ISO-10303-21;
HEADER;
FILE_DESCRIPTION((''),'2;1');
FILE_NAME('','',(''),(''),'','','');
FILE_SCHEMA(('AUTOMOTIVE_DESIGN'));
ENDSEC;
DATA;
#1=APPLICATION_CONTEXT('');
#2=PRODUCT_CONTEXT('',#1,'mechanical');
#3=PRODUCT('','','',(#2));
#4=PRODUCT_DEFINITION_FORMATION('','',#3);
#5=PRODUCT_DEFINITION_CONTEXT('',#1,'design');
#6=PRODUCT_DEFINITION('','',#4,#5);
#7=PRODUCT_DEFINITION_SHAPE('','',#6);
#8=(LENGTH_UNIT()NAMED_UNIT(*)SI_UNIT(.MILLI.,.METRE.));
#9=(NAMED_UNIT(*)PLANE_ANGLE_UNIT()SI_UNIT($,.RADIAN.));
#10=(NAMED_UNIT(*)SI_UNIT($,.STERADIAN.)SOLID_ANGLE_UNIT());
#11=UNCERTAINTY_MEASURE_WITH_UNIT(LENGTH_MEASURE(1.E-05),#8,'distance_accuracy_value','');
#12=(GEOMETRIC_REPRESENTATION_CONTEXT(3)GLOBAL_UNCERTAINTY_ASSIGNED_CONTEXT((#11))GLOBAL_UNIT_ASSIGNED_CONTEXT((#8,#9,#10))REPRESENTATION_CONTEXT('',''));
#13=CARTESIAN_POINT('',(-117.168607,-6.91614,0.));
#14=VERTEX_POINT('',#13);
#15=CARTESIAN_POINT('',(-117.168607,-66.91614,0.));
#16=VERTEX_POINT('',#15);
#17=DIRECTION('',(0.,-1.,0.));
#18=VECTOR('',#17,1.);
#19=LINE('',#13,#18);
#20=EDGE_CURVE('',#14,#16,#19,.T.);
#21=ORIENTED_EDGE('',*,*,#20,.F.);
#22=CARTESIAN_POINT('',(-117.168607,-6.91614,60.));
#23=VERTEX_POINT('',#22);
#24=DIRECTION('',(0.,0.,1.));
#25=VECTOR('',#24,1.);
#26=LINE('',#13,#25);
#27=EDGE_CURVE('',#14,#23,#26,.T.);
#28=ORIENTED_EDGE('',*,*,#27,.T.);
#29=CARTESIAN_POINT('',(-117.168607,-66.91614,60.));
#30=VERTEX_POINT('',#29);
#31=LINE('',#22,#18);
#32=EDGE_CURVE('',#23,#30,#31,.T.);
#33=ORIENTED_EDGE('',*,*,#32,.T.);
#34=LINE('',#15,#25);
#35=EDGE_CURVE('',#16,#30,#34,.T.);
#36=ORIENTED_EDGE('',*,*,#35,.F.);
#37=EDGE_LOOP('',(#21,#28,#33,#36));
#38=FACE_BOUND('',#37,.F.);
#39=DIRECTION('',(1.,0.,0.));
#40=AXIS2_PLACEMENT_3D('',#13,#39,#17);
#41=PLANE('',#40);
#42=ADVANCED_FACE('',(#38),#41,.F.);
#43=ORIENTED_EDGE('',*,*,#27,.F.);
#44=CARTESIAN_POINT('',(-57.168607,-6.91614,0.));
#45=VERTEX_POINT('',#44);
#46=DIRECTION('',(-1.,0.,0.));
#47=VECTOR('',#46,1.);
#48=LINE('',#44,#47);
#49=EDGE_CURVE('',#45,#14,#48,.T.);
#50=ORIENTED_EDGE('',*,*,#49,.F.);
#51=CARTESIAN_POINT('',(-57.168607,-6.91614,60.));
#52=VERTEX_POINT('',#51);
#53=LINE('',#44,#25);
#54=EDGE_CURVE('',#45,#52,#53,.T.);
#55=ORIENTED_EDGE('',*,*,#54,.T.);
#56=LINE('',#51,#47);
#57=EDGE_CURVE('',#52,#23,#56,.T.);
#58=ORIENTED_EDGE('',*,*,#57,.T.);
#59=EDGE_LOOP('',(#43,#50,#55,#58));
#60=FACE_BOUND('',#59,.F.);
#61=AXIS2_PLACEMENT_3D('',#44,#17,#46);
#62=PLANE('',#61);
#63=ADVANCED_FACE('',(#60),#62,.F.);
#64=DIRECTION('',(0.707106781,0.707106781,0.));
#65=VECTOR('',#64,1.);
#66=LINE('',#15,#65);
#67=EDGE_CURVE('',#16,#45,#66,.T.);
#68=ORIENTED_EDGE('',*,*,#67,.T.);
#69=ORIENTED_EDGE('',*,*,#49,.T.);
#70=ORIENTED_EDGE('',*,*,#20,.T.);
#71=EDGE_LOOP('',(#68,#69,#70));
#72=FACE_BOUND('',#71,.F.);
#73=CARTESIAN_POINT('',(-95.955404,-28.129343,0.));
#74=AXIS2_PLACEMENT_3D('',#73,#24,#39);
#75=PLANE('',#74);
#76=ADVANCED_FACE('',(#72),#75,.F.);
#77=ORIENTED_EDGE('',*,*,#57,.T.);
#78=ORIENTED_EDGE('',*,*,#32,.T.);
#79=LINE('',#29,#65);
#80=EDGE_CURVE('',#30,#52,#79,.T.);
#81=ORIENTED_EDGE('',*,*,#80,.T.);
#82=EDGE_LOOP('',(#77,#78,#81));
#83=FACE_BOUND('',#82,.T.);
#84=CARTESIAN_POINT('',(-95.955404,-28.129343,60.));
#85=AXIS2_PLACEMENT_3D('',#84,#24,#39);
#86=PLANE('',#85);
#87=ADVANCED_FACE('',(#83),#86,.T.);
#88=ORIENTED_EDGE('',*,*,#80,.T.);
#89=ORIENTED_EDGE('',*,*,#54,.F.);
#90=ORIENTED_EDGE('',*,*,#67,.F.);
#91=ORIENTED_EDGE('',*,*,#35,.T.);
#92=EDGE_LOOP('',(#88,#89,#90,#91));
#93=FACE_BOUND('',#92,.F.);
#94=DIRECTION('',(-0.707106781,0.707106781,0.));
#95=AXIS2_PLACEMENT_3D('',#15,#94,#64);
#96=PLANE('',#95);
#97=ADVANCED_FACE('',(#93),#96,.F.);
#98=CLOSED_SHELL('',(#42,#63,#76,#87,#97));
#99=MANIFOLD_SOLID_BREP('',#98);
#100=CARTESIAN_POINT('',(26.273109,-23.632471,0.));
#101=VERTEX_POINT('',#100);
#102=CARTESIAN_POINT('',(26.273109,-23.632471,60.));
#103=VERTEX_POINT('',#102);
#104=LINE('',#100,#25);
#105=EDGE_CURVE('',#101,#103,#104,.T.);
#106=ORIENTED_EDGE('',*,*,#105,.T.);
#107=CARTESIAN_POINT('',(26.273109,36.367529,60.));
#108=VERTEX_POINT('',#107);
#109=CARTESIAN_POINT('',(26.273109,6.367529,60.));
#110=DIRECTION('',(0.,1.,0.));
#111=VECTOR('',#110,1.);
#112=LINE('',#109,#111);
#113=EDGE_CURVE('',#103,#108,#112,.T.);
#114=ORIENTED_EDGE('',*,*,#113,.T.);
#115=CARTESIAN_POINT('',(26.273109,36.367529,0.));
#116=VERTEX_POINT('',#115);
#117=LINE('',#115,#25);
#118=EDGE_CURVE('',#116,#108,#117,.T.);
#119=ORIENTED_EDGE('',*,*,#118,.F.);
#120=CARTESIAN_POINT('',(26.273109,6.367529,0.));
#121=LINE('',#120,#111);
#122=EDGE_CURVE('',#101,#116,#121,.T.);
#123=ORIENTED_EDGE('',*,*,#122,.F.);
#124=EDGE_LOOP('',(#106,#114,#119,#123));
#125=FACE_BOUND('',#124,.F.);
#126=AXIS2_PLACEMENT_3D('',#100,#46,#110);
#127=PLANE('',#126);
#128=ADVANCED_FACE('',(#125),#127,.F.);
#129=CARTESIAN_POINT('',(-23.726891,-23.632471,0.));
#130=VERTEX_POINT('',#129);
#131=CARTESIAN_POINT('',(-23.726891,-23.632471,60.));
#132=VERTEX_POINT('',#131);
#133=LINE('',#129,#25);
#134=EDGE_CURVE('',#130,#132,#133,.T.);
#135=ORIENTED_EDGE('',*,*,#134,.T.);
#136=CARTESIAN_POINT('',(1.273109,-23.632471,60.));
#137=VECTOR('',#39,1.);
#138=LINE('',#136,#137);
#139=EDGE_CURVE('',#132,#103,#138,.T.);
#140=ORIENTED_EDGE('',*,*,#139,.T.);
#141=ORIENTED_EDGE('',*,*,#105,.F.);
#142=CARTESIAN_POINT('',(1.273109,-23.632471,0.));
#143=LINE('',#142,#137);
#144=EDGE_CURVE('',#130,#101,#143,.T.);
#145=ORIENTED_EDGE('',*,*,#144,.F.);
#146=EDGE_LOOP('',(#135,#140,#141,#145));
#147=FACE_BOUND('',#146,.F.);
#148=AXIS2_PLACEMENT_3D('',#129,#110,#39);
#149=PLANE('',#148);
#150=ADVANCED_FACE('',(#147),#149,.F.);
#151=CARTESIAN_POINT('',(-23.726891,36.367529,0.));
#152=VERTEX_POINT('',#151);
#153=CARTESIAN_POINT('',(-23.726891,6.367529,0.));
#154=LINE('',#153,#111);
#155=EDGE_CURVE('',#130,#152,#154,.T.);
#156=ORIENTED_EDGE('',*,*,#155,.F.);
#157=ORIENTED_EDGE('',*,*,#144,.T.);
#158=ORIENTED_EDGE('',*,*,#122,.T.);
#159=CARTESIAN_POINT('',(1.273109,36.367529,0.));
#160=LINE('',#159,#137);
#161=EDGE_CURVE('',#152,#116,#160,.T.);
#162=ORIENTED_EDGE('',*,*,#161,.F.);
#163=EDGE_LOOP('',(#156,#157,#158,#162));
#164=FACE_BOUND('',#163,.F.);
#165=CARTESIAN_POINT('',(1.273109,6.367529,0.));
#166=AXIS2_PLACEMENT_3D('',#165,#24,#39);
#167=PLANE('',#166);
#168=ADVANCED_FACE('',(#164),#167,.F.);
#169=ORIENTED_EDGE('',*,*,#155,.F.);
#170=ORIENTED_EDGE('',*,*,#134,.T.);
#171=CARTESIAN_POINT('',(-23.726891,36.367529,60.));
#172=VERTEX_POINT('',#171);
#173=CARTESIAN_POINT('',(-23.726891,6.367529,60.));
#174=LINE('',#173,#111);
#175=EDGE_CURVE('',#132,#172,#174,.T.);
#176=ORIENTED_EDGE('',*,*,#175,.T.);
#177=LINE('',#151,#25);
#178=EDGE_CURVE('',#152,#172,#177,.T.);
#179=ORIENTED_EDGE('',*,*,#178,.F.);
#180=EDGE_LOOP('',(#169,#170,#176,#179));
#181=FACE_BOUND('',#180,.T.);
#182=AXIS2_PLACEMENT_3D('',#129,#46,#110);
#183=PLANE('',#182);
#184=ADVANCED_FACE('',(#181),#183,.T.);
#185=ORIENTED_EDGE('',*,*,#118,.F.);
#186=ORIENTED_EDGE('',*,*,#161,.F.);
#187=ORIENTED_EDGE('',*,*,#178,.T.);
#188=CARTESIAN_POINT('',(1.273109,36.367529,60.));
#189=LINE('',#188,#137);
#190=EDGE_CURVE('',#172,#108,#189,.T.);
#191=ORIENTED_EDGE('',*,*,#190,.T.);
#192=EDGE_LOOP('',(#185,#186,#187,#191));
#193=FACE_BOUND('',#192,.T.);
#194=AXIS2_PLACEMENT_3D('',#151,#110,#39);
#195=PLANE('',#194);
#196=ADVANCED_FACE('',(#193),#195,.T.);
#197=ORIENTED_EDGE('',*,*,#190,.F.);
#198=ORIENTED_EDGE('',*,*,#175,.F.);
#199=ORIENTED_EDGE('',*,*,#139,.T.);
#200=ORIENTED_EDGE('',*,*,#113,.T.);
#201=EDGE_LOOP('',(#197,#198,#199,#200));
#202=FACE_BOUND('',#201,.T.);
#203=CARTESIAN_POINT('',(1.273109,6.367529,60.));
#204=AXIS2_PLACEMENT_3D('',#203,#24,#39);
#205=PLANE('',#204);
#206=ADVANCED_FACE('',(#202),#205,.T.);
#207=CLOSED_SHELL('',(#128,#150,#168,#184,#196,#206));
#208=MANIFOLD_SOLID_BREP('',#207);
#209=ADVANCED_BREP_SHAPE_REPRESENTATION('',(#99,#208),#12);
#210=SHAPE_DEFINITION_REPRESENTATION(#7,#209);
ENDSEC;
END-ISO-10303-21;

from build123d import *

# Parameters (mm, degrees)
F0_W     = 50
F0_H     = 60
F1_DEPTH = 60
F3_DEPTH = 60


with BuildPart() as f1:
    # F0 (on Top) → F1 (new body)
    with BuildSketch(Plane.XY):
        with Locations((1.273109, 6.367529)):
            Rectangle(F0_W, F0_H)
    extrude(amount=F1_DEPTH)


with BuildPart() as f3:
    # F2 (on Top) → F3 (new body)
    with BuildSketch(Plane.XY):
        Polygon((-57.168607, -6.91614), (-117.168607, -6.91614), (-117.168607, -66.91614), align=None)
    extrude(amount=F3_DEPTH)


solid = Compound([f1.part, f3.part])
